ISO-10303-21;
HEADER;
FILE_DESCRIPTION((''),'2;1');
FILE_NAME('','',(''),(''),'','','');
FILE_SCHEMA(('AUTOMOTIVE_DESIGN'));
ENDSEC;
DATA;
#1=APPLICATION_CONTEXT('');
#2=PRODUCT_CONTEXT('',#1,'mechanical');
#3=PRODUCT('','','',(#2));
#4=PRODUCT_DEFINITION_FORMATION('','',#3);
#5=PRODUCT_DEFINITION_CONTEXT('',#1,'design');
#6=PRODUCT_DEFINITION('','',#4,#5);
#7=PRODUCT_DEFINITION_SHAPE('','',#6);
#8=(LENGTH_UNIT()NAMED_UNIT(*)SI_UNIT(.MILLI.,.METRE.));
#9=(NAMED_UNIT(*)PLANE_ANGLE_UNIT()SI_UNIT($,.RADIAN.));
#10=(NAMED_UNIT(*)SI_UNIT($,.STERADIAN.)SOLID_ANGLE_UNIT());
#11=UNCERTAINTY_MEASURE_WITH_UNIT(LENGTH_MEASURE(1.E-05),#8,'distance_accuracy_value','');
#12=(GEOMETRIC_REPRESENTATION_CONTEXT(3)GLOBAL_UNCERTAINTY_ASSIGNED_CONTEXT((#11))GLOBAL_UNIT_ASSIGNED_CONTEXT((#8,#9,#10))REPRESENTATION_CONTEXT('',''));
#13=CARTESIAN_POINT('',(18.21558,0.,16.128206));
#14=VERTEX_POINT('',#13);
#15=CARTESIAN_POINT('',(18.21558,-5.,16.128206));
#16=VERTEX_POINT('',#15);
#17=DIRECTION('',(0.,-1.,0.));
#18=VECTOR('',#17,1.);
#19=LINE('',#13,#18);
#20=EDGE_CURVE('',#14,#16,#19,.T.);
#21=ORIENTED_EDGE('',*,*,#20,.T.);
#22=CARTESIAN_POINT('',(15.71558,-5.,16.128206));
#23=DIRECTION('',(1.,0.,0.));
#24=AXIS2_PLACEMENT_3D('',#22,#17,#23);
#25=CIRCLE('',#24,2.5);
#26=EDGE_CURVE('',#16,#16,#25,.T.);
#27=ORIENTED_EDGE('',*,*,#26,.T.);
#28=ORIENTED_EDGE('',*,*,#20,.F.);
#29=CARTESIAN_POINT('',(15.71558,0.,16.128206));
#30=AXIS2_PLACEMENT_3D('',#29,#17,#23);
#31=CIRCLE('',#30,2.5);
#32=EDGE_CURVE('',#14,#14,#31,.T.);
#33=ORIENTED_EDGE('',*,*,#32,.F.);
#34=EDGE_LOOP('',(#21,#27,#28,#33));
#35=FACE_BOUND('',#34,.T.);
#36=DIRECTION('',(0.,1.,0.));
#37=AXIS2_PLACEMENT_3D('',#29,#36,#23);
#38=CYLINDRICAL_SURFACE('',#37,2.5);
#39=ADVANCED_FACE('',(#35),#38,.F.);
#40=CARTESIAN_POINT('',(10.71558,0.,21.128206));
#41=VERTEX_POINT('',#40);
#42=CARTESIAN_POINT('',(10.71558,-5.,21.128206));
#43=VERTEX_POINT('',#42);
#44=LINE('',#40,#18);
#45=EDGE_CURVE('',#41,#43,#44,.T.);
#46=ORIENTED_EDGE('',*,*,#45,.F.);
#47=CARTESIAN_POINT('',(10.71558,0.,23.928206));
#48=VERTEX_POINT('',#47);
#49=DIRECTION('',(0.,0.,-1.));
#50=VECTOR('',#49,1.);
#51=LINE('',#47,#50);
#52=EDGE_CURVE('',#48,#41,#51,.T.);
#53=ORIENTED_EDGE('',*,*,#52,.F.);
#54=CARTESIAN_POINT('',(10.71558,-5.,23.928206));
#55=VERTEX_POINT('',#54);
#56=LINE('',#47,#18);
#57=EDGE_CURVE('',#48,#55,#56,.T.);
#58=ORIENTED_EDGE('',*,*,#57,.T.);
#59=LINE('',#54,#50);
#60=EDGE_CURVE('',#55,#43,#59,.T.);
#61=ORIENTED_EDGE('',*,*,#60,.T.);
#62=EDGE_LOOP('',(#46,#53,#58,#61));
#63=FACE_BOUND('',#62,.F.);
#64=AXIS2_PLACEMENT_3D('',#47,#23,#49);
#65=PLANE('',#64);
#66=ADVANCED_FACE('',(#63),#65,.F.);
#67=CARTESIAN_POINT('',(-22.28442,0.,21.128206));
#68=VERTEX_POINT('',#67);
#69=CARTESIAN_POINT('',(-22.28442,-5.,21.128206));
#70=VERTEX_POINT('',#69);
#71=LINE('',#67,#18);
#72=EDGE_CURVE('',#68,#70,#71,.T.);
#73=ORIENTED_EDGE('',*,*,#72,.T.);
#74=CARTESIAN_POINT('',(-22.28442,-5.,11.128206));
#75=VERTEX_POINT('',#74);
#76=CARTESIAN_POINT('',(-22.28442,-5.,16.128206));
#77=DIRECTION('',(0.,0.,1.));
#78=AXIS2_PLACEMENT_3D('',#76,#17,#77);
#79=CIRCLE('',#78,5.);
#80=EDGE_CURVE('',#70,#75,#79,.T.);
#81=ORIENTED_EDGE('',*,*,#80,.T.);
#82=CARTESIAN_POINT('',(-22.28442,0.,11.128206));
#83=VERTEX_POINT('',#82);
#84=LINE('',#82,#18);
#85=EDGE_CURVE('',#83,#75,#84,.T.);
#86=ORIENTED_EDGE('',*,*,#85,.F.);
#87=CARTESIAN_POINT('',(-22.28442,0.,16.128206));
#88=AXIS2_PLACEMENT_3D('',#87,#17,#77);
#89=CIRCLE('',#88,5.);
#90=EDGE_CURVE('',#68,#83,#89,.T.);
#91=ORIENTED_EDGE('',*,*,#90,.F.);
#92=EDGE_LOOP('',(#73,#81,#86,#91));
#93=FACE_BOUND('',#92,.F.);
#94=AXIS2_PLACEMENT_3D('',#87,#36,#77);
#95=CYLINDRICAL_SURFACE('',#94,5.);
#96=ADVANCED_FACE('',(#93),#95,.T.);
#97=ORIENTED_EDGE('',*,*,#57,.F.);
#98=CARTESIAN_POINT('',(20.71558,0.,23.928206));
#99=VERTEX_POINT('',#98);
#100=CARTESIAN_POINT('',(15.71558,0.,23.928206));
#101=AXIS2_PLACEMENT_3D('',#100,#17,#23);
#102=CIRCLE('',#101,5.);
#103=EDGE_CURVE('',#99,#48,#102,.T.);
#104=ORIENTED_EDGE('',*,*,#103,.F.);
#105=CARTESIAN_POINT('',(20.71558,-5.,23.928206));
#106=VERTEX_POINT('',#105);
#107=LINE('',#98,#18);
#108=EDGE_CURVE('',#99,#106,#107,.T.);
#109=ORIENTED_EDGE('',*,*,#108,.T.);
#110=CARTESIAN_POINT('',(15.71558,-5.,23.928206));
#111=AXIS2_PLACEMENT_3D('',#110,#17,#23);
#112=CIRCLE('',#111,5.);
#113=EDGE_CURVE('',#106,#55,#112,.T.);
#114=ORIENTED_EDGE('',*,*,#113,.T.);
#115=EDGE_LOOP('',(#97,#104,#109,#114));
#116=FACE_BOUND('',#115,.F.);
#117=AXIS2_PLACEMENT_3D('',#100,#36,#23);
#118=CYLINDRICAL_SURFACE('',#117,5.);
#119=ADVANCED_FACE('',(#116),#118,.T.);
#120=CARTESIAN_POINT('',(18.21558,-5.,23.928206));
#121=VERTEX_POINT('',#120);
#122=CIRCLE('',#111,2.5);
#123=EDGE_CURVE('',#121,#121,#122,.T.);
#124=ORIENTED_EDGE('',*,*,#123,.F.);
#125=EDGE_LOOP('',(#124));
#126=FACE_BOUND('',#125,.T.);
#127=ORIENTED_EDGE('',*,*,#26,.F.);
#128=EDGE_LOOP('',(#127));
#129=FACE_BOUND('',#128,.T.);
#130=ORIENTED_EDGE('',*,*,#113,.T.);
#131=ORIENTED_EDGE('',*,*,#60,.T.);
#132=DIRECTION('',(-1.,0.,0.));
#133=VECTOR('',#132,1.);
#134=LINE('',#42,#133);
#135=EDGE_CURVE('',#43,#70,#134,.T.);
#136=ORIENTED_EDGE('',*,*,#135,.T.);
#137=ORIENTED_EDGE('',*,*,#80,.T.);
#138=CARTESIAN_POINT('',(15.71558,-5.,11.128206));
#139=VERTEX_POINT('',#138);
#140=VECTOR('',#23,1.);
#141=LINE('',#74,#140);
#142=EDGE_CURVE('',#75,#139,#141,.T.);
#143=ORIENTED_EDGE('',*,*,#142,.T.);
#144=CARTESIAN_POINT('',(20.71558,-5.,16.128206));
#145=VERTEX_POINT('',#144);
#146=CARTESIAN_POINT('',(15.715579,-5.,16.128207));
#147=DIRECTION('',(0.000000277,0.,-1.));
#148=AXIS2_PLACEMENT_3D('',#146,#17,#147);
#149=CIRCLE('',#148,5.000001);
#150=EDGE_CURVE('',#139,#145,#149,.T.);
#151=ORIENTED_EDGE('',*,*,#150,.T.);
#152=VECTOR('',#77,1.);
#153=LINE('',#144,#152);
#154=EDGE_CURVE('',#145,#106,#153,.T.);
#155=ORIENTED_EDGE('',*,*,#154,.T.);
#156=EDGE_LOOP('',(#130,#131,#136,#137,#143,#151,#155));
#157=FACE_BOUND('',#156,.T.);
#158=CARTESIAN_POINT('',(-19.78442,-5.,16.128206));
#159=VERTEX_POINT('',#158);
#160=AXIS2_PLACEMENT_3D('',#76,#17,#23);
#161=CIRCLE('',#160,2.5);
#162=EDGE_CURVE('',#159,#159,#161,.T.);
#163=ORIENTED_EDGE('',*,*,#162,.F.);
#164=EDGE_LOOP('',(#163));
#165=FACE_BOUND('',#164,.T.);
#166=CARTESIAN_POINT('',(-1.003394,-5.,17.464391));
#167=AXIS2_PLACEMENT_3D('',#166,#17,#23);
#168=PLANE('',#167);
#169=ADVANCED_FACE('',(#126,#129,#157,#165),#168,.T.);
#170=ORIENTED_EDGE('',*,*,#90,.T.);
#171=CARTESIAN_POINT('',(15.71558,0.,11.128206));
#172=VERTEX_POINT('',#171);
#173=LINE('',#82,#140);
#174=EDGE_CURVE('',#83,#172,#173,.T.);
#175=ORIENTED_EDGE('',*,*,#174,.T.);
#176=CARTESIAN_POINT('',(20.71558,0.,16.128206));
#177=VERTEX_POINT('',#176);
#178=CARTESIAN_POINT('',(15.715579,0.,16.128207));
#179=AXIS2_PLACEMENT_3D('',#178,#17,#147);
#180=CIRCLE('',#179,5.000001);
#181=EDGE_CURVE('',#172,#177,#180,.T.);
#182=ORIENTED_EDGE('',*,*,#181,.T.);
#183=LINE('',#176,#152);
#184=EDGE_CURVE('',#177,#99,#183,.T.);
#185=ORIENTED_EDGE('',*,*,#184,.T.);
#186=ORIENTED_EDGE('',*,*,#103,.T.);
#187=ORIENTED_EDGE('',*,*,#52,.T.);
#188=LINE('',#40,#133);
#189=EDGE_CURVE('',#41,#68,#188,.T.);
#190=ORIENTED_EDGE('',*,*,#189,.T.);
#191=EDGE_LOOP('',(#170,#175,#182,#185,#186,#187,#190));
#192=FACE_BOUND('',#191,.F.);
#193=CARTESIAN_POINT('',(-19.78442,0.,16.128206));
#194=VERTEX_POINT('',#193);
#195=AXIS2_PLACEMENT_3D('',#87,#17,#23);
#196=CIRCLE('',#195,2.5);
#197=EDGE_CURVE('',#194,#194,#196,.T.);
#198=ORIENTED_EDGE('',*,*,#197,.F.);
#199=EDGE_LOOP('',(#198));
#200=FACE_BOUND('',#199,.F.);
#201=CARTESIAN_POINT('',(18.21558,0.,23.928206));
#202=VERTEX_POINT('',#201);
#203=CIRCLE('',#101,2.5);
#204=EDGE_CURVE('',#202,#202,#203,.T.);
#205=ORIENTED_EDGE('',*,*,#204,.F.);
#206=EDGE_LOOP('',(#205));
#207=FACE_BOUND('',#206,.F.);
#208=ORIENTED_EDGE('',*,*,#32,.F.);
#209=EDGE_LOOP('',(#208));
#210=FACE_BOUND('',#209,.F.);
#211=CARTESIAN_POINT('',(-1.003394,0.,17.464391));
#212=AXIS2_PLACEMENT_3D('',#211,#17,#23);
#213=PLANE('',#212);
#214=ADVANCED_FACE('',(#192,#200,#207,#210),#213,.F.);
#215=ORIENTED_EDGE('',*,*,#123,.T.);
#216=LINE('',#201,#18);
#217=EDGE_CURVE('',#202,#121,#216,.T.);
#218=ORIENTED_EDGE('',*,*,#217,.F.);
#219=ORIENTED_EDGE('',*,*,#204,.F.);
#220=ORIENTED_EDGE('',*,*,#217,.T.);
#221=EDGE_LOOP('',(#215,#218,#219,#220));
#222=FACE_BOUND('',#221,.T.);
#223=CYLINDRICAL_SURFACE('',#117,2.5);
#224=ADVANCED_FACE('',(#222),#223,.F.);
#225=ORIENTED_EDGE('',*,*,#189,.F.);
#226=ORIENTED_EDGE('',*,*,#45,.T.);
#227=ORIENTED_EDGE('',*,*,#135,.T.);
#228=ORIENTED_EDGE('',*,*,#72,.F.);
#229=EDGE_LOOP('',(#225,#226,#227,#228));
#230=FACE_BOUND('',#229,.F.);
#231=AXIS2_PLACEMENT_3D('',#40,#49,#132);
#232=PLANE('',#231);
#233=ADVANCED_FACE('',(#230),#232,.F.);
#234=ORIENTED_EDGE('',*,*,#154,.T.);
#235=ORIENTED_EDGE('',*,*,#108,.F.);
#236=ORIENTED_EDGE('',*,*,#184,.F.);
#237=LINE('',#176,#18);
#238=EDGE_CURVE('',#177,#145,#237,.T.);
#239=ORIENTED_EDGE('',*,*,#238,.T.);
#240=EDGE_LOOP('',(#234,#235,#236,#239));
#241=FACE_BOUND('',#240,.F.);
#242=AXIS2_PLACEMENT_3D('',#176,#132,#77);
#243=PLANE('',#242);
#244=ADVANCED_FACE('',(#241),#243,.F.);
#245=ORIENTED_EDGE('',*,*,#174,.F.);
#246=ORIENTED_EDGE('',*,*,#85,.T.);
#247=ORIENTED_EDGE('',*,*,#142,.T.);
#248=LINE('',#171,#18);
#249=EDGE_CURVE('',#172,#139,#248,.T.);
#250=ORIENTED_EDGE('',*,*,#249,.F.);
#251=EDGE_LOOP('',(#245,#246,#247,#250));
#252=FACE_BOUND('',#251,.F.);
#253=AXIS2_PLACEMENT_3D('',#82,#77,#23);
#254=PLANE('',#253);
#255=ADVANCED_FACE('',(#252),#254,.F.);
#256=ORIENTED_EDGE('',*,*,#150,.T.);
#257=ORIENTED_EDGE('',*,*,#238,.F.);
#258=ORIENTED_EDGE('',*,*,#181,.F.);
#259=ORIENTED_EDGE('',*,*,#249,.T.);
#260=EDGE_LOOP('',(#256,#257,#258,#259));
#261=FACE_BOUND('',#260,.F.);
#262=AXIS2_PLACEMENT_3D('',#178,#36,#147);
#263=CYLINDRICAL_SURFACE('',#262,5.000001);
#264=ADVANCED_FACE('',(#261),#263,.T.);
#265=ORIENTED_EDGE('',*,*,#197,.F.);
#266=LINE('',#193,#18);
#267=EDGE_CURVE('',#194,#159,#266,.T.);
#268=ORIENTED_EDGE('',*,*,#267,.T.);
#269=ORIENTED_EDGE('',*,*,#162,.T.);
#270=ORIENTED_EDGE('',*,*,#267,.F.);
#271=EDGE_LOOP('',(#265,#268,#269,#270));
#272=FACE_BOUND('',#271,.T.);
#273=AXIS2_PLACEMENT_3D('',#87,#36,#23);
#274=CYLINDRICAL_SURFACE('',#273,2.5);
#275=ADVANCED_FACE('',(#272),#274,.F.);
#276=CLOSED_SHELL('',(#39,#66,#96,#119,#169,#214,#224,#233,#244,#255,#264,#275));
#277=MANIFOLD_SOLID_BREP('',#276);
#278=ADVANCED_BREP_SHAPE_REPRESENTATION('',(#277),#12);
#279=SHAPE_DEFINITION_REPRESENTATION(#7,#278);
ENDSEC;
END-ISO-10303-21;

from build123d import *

# Parameters (mm, degrees)
F0_R     = 2.5
F1_DEPTH = 5


with BuildPart() as f1:
    # F0 (on Front) → F1 (new body)
    with BuildSketch(Plane.XZ):
        with BuildLine():
            Line((10.71558, 21.128206), (-22.28442, 21.128206))
            ThreePointArc((-22.28442, 21.128206), (-27.28442, 16.128206), (-22.28442, 11.128206))
            Line((-22.28442, 11.128206), (15.71558, 11.128206))
            ThreePointArc((15.71558, 11.128206), (19.251113, 12.592672), (20.71558, 16.128206))
            Line((20.71558, 16.128206), (20.71558, 23.928206))
            ThreePointArc((20.71558, 23.928206), (15.71558, 28.928206), (10.71558, 23.928206))
            Line((10.71558, 23.928206), (10.71558, 21.128206))
        make_face()
        with Locations((-22.28442, 16.128206)):
            Circle(F0_R, mode=Mode.SUBTRACT)
        with Locations((15.71558, 16.128206)):
            Circle(F0_R, mode=Mode.SUBTRACT)
        with Locations((15.71558, 23.928206)):
            Circle(F0_R, mode=Mode.SUBTRACT)
    extrude(amount=F1_DEPTH)


solid = f1.part
